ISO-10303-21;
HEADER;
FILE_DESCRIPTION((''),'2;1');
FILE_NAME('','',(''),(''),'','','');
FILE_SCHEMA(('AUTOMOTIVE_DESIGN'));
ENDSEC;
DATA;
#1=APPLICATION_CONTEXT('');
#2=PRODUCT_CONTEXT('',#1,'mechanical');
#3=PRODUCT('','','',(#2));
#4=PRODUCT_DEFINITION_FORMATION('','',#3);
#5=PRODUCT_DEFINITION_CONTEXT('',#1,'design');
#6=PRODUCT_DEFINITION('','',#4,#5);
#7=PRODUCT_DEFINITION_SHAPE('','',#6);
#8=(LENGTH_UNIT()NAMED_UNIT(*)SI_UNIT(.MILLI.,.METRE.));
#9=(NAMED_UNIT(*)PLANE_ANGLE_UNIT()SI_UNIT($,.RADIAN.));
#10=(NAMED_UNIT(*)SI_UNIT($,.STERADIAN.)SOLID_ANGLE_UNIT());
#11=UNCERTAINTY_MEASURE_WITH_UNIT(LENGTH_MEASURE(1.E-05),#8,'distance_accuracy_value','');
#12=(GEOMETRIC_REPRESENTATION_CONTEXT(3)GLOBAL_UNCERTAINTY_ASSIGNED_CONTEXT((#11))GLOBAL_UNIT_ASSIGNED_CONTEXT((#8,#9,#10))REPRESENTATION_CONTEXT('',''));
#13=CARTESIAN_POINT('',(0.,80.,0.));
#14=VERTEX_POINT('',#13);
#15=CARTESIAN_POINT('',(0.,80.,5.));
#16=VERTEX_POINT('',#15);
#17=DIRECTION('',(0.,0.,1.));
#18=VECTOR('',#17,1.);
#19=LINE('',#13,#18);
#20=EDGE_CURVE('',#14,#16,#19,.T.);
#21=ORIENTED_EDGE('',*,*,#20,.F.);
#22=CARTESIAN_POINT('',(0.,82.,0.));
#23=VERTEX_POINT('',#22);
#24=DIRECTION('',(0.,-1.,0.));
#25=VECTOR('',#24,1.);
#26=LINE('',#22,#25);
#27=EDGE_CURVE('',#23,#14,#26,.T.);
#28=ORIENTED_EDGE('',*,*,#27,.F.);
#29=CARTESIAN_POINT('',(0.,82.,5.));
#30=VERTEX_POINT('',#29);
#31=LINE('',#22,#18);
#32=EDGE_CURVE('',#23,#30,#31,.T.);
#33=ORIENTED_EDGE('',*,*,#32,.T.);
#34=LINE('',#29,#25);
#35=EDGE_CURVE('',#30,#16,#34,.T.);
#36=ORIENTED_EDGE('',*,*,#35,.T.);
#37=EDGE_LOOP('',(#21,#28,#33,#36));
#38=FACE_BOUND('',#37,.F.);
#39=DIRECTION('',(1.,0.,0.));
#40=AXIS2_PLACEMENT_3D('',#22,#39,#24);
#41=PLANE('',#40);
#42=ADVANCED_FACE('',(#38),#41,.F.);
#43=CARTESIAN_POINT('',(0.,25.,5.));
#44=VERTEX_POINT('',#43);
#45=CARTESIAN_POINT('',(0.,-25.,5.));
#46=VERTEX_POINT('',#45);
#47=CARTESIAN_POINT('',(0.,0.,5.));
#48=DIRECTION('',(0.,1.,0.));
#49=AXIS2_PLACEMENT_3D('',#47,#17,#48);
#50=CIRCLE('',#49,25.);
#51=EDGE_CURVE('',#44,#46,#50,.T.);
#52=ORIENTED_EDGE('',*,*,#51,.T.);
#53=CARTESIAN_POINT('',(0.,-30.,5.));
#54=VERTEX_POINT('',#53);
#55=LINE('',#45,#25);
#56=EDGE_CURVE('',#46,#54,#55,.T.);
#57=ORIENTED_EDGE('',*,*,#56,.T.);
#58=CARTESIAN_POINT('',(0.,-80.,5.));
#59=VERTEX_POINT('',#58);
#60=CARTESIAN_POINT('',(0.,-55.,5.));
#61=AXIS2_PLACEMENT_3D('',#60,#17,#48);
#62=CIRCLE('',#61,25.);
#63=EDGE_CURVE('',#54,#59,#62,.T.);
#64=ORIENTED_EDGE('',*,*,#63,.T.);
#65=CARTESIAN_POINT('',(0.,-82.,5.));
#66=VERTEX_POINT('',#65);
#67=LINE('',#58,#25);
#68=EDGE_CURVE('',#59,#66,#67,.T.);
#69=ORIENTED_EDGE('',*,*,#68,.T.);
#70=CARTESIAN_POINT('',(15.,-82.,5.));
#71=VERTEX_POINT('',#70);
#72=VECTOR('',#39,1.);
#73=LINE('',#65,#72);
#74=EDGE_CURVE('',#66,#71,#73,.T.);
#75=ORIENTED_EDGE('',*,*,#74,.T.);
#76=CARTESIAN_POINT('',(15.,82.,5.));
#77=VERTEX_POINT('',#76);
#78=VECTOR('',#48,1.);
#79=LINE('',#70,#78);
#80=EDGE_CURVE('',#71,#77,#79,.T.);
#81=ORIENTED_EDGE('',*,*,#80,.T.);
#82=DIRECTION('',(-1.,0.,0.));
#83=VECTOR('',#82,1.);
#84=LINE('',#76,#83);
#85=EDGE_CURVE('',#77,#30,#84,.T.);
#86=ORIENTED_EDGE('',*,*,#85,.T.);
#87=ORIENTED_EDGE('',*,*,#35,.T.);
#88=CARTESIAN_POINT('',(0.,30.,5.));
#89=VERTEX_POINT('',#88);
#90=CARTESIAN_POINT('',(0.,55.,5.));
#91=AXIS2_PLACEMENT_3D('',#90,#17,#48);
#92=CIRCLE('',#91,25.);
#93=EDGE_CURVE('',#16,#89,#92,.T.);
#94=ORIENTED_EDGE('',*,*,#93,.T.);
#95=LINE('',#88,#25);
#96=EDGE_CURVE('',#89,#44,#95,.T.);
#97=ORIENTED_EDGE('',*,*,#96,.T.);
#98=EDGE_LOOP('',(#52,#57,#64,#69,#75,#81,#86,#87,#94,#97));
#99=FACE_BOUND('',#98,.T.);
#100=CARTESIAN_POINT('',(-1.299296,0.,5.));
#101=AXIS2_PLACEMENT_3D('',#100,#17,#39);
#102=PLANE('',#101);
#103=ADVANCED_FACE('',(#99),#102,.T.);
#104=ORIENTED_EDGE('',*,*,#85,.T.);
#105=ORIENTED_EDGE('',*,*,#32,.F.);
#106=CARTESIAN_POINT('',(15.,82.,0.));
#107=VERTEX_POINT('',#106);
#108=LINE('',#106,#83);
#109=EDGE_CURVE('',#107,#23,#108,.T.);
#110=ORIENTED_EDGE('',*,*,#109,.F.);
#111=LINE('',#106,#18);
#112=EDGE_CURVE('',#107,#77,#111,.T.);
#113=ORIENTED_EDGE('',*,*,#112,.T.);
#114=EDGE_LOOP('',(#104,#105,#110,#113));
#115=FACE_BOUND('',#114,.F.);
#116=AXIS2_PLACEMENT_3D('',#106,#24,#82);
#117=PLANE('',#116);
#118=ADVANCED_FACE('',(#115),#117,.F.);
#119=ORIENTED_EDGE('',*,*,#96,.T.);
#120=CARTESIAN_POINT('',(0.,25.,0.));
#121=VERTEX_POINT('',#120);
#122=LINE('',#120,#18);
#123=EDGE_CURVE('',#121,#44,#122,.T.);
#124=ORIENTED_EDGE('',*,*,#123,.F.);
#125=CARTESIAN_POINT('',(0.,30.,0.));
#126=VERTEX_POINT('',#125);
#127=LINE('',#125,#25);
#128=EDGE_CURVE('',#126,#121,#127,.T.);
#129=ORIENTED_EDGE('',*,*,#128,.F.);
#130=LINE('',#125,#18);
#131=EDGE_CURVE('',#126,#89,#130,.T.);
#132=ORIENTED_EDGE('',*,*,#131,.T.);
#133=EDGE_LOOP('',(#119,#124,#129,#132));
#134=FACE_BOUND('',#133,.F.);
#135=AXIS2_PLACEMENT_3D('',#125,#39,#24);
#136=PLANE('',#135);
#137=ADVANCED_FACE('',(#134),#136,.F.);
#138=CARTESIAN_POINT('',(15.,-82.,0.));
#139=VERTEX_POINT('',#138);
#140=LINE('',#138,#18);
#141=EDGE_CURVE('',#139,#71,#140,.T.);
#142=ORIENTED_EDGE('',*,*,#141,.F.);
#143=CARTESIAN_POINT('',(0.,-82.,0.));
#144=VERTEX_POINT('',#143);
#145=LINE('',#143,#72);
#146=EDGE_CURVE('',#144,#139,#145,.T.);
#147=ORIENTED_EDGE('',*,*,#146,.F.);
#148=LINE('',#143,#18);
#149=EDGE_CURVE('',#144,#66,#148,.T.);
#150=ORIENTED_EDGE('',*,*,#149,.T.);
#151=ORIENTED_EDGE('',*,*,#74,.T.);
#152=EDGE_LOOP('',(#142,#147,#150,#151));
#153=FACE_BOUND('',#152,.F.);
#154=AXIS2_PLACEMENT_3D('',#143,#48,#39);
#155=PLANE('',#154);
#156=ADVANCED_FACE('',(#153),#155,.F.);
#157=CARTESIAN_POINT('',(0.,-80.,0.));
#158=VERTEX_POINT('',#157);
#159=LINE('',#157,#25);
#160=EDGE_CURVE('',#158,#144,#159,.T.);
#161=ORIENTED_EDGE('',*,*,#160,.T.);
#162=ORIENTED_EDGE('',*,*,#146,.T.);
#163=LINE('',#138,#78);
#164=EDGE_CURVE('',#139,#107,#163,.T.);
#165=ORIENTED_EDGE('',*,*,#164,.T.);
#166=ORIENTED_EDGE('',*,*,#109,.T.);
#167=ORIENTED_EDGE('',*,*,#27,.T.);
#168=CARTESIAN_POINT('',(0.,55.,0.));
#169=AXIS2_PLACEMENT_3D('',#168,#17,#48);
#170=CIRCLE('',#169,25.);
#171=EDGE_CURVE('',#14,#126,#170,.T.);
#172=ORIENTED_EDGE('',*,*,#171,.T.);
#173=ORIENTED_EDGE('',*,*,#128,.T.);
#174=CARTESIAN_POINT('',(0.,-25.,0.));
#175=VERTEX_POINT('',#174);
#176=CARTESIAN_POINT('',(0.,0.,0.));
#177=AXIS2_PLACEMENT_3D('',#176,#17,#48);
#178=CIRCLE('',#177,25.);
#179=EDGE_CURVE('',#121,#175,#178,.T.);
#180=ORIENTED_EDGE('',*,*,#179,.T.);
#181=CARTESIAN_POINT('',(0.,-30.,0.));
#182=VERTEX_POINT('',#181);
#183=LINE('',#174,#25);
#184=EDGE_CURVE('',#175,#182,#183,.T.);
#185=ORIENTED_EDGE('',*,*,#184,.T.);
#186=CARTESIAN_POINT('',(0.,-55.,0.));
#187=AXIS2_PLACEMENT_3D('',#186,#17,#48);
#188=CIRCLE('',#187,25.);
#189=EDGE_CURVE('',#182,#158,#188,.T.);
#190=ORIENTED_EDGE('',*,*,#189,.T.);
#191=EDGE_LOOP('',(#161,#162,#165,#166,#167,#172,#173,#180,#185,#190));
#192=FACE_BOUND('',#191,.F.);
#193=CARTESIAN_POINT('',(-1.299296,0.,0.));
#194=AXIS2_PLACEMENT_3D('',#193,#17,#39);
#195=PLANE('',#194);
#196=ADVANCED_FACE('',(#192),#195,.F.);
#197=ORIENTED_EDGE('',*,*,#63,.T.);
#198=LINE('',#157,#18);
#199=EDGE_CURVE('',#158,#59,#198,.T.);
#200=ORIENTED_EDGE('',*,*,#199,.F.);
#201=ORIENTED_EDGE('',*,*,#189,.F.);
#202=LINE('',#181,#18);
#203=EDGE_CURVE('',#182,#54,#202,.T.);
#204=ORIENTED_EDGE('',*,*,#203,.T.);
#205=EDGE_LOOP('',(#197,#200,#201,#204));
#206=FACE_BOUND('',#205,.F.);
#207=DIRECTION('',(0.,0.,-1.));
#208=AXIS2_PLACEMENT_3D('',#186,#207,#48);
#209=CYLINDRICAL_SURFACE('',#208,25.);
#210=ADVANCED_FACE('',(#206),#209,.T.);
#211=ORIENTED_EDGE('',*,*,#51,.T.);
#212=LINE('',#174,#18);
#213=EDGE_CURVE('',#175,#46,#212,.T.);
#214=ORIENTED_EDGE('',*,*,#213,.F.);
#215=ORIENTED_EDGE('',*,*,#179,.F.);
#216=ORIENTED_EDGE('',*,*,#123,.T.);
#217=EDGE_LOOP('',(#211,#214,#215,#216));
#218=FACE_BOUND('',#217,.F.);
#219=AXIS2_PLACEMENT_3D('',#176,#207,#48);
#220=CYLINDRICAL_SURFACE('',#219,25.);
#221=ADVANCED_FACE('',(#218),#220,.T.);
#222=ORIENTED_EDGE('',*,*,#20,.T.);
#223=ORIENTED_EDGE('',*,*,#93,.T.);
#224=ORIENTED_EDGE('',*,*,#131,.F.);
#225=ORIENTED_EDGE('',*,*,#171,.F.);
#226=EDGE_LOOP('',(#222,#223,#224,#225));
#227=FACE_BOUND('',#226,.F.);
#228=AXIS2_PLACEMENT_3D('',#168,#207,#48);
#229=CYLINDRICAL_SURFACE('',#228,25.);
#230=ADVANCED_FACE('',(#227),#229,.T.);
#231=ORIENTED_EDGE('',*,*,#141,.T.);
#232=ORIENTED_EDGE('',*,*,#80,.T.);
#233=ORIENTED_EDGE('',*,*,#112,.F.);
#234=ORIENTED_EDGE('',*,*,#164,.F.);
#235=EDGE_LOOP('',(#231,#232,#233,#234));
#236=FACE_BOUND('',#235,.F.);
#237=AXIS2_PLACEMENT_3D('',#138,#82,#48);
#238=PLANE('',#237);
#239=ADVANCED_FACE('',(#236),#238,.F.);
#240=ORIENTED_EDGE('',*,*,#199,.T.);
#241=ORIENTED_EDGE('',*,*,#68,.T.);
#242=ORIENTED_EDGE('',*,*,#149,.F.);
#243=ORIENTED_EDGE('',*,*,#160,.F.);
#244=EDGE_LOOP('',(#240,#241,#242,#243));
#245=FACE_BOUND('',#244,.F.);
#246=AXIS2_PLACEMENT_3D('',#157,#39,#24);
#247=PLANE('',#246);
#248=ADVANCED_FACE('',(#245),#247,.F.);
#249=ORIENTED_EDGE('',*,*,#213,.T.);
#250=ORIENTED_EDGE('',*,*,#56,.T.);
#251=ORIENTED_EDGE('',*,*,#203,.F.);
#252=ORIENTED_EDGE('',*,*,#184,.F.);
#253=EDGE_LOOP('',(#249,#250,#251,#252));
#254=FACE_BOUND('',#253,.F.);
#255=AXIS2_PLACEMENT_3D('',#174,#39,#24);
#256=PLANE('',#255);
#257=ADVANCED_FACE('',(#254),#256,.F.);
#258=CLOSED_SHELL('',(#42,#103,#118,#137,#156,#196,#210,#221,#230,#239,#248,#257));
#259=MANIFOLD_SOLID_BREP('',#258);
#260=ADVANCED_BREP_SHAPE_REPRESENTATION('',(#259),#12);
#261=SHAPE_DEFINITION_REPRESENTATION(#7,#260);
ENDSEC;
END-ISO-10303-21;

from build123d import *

# Parameters (mm, degrees)
F1_DEPTH = 5


with BuildPart() as f1:
    # F0 (on Top) → F1 (new body)
    with BuildSketch(Plane.XY):
        with BuildLine():
            Line((0, 82), (0, 80))
            ThreePointArc((0, 80), (-25, 55), (0, 30))
            Line((0, 30), (0, 25))
            ThreePointArc((0, 25), (-25, 0), (0, -25))
            Line((0, -25), (0, -30))
            ThreePointArc((0, -30), (-25, -55), (0, -80))
            Line((0, -80), (0, -82))
            Line((0, -82), (15, -82))
            Line((15, -82), (15, 82))
            Line((15, 82), (0, 82))
        make_face()
    extrude(amount=F1_DEPTH)


solid = f1.part
